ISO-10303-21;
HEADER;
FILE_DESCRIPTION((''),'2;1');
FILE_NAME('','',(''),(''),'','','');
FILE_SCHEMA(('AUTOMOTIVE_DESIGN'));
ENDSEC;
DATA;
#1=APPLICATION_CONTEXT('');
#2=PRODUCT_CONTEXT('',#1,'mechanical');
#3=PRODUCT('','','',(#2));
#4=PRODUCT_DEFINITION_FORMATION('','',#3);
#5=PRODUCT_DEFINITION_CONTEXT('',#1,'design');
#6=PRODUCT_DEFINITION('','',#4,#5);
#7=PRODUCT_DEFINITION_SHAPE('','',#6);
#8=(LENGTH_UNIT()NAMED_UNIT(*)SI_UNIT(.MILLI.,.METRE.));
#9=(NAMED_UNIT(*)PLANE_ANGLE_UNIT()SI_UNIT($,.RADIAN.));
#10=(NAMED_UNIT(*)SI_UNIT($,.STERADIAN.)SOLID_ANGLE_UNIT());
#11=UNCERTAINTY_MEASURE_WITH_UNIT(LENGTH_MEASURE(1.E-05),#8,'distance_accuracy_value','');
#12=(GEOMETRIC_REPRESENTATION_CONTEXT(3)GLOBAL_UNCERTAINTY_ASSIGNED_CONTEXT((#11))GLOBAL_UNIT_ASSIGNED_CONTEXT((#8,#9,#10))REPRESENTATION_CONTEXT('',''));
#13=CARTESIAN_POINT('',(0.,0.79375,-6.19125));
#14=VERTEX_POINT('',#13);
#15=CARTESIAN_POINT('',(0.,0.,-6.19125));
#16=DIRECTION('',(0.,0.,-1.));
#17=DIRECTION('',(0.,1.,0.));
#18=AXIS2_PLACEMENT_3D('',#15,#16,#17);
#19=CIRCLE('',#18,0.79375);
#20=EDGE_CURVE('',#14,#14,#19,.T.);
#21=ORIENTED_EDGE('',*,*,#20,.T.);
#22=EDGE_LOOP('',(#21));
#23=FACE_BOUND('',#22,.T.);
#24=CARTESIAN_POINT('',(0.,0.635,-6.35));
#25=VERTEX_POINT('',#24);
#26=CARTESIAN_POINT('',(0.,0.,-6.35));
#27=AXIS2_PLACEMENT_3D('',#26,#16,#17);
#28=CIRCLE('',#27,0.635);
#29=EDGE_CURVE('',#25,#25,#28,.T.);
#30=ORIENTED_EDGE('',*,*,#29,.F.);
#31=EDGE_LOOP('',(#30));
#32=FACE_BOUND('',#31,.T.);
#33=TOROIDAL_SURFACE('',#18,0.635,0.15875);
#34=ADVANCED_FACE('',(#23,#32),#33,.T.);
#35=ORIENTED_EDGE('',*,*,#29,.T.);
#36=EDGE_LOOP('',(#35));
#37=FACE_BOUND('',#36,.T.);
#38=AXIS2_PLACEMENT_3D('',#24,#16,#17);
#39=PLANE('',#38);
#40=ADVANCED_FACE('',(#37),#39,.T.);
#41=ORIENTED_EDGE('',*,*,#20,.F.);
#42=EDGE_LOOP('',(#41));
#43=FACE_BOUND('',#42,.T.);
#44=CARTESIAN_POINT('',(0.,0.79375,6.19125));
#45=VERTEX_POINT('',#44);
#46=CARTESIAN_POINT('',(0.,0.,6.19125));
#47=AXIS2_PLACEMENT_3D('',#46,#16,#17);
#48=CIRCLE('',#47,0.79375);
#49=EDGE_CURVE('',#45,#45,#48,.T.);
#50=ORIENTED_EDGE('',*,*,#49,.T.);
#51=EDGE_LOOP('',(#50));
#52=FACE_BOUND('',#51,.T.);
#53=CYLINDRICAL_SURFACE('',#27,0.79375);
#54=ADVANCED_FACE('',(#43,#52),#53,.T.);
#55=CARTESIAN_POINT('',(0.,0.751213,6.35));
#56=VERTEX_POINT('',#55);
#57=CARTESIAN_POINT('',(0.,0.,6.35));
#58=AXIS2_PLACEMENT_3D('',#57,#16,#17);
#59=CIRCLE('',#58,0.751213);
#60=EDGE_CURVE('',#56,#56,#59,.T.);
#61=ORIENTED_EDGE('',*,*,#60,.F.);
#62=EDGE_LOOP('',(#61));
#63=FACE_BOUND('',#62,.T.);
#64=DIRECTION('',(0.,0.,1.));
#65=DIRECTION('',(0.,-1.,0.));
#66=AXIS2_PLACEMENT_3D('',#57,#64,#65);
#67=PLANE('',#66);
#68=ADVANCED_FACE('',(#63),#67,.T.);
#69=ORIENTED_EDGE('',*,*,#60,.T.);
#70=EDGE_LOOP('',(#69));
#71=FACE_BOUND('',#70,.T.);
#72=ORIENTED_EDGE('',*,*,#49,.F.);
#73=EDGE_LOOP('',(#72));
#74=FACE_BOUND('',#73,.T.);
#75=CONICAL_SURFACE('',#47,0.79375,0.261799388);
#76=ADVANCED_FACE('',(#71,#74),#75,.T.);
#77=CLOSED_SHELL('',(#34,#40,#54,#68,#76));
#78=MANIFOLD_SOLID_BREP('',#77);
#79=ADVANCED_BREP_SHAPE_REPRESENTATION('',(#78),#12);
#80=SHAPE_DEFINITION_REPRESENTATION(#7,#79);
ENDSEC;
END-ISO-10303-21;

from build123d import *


with BuildPart() as part:
    # Sketch3 → Revolve1 (revolve)
    with BuildSketch(Plane(origin=(0, 0, 0), x_dir=(0, 0, -1), z_dir=(1, 0, 0))):
        with BuildLine():
            Line((-6.35, 0), (-6.35, 0.751213066))
            Line((-6.35, 0.751213066), (-6.19125, 0.79375))
            Line((-6.19125, 0.79375), (6.19125, 0.79375))
            ThreePointArc((6.19125, 0.79375), (6.303503202, 0.747253202), (6.35, 0.635))
            Line((6.35, 0.635), (6.35, 0))
            Line((6.35, 0), (-6.35, 0))
        make_face()
    revolve(axis=Axis((0, 0, -6.35), (0, 0, 1)))


solid = part.part
